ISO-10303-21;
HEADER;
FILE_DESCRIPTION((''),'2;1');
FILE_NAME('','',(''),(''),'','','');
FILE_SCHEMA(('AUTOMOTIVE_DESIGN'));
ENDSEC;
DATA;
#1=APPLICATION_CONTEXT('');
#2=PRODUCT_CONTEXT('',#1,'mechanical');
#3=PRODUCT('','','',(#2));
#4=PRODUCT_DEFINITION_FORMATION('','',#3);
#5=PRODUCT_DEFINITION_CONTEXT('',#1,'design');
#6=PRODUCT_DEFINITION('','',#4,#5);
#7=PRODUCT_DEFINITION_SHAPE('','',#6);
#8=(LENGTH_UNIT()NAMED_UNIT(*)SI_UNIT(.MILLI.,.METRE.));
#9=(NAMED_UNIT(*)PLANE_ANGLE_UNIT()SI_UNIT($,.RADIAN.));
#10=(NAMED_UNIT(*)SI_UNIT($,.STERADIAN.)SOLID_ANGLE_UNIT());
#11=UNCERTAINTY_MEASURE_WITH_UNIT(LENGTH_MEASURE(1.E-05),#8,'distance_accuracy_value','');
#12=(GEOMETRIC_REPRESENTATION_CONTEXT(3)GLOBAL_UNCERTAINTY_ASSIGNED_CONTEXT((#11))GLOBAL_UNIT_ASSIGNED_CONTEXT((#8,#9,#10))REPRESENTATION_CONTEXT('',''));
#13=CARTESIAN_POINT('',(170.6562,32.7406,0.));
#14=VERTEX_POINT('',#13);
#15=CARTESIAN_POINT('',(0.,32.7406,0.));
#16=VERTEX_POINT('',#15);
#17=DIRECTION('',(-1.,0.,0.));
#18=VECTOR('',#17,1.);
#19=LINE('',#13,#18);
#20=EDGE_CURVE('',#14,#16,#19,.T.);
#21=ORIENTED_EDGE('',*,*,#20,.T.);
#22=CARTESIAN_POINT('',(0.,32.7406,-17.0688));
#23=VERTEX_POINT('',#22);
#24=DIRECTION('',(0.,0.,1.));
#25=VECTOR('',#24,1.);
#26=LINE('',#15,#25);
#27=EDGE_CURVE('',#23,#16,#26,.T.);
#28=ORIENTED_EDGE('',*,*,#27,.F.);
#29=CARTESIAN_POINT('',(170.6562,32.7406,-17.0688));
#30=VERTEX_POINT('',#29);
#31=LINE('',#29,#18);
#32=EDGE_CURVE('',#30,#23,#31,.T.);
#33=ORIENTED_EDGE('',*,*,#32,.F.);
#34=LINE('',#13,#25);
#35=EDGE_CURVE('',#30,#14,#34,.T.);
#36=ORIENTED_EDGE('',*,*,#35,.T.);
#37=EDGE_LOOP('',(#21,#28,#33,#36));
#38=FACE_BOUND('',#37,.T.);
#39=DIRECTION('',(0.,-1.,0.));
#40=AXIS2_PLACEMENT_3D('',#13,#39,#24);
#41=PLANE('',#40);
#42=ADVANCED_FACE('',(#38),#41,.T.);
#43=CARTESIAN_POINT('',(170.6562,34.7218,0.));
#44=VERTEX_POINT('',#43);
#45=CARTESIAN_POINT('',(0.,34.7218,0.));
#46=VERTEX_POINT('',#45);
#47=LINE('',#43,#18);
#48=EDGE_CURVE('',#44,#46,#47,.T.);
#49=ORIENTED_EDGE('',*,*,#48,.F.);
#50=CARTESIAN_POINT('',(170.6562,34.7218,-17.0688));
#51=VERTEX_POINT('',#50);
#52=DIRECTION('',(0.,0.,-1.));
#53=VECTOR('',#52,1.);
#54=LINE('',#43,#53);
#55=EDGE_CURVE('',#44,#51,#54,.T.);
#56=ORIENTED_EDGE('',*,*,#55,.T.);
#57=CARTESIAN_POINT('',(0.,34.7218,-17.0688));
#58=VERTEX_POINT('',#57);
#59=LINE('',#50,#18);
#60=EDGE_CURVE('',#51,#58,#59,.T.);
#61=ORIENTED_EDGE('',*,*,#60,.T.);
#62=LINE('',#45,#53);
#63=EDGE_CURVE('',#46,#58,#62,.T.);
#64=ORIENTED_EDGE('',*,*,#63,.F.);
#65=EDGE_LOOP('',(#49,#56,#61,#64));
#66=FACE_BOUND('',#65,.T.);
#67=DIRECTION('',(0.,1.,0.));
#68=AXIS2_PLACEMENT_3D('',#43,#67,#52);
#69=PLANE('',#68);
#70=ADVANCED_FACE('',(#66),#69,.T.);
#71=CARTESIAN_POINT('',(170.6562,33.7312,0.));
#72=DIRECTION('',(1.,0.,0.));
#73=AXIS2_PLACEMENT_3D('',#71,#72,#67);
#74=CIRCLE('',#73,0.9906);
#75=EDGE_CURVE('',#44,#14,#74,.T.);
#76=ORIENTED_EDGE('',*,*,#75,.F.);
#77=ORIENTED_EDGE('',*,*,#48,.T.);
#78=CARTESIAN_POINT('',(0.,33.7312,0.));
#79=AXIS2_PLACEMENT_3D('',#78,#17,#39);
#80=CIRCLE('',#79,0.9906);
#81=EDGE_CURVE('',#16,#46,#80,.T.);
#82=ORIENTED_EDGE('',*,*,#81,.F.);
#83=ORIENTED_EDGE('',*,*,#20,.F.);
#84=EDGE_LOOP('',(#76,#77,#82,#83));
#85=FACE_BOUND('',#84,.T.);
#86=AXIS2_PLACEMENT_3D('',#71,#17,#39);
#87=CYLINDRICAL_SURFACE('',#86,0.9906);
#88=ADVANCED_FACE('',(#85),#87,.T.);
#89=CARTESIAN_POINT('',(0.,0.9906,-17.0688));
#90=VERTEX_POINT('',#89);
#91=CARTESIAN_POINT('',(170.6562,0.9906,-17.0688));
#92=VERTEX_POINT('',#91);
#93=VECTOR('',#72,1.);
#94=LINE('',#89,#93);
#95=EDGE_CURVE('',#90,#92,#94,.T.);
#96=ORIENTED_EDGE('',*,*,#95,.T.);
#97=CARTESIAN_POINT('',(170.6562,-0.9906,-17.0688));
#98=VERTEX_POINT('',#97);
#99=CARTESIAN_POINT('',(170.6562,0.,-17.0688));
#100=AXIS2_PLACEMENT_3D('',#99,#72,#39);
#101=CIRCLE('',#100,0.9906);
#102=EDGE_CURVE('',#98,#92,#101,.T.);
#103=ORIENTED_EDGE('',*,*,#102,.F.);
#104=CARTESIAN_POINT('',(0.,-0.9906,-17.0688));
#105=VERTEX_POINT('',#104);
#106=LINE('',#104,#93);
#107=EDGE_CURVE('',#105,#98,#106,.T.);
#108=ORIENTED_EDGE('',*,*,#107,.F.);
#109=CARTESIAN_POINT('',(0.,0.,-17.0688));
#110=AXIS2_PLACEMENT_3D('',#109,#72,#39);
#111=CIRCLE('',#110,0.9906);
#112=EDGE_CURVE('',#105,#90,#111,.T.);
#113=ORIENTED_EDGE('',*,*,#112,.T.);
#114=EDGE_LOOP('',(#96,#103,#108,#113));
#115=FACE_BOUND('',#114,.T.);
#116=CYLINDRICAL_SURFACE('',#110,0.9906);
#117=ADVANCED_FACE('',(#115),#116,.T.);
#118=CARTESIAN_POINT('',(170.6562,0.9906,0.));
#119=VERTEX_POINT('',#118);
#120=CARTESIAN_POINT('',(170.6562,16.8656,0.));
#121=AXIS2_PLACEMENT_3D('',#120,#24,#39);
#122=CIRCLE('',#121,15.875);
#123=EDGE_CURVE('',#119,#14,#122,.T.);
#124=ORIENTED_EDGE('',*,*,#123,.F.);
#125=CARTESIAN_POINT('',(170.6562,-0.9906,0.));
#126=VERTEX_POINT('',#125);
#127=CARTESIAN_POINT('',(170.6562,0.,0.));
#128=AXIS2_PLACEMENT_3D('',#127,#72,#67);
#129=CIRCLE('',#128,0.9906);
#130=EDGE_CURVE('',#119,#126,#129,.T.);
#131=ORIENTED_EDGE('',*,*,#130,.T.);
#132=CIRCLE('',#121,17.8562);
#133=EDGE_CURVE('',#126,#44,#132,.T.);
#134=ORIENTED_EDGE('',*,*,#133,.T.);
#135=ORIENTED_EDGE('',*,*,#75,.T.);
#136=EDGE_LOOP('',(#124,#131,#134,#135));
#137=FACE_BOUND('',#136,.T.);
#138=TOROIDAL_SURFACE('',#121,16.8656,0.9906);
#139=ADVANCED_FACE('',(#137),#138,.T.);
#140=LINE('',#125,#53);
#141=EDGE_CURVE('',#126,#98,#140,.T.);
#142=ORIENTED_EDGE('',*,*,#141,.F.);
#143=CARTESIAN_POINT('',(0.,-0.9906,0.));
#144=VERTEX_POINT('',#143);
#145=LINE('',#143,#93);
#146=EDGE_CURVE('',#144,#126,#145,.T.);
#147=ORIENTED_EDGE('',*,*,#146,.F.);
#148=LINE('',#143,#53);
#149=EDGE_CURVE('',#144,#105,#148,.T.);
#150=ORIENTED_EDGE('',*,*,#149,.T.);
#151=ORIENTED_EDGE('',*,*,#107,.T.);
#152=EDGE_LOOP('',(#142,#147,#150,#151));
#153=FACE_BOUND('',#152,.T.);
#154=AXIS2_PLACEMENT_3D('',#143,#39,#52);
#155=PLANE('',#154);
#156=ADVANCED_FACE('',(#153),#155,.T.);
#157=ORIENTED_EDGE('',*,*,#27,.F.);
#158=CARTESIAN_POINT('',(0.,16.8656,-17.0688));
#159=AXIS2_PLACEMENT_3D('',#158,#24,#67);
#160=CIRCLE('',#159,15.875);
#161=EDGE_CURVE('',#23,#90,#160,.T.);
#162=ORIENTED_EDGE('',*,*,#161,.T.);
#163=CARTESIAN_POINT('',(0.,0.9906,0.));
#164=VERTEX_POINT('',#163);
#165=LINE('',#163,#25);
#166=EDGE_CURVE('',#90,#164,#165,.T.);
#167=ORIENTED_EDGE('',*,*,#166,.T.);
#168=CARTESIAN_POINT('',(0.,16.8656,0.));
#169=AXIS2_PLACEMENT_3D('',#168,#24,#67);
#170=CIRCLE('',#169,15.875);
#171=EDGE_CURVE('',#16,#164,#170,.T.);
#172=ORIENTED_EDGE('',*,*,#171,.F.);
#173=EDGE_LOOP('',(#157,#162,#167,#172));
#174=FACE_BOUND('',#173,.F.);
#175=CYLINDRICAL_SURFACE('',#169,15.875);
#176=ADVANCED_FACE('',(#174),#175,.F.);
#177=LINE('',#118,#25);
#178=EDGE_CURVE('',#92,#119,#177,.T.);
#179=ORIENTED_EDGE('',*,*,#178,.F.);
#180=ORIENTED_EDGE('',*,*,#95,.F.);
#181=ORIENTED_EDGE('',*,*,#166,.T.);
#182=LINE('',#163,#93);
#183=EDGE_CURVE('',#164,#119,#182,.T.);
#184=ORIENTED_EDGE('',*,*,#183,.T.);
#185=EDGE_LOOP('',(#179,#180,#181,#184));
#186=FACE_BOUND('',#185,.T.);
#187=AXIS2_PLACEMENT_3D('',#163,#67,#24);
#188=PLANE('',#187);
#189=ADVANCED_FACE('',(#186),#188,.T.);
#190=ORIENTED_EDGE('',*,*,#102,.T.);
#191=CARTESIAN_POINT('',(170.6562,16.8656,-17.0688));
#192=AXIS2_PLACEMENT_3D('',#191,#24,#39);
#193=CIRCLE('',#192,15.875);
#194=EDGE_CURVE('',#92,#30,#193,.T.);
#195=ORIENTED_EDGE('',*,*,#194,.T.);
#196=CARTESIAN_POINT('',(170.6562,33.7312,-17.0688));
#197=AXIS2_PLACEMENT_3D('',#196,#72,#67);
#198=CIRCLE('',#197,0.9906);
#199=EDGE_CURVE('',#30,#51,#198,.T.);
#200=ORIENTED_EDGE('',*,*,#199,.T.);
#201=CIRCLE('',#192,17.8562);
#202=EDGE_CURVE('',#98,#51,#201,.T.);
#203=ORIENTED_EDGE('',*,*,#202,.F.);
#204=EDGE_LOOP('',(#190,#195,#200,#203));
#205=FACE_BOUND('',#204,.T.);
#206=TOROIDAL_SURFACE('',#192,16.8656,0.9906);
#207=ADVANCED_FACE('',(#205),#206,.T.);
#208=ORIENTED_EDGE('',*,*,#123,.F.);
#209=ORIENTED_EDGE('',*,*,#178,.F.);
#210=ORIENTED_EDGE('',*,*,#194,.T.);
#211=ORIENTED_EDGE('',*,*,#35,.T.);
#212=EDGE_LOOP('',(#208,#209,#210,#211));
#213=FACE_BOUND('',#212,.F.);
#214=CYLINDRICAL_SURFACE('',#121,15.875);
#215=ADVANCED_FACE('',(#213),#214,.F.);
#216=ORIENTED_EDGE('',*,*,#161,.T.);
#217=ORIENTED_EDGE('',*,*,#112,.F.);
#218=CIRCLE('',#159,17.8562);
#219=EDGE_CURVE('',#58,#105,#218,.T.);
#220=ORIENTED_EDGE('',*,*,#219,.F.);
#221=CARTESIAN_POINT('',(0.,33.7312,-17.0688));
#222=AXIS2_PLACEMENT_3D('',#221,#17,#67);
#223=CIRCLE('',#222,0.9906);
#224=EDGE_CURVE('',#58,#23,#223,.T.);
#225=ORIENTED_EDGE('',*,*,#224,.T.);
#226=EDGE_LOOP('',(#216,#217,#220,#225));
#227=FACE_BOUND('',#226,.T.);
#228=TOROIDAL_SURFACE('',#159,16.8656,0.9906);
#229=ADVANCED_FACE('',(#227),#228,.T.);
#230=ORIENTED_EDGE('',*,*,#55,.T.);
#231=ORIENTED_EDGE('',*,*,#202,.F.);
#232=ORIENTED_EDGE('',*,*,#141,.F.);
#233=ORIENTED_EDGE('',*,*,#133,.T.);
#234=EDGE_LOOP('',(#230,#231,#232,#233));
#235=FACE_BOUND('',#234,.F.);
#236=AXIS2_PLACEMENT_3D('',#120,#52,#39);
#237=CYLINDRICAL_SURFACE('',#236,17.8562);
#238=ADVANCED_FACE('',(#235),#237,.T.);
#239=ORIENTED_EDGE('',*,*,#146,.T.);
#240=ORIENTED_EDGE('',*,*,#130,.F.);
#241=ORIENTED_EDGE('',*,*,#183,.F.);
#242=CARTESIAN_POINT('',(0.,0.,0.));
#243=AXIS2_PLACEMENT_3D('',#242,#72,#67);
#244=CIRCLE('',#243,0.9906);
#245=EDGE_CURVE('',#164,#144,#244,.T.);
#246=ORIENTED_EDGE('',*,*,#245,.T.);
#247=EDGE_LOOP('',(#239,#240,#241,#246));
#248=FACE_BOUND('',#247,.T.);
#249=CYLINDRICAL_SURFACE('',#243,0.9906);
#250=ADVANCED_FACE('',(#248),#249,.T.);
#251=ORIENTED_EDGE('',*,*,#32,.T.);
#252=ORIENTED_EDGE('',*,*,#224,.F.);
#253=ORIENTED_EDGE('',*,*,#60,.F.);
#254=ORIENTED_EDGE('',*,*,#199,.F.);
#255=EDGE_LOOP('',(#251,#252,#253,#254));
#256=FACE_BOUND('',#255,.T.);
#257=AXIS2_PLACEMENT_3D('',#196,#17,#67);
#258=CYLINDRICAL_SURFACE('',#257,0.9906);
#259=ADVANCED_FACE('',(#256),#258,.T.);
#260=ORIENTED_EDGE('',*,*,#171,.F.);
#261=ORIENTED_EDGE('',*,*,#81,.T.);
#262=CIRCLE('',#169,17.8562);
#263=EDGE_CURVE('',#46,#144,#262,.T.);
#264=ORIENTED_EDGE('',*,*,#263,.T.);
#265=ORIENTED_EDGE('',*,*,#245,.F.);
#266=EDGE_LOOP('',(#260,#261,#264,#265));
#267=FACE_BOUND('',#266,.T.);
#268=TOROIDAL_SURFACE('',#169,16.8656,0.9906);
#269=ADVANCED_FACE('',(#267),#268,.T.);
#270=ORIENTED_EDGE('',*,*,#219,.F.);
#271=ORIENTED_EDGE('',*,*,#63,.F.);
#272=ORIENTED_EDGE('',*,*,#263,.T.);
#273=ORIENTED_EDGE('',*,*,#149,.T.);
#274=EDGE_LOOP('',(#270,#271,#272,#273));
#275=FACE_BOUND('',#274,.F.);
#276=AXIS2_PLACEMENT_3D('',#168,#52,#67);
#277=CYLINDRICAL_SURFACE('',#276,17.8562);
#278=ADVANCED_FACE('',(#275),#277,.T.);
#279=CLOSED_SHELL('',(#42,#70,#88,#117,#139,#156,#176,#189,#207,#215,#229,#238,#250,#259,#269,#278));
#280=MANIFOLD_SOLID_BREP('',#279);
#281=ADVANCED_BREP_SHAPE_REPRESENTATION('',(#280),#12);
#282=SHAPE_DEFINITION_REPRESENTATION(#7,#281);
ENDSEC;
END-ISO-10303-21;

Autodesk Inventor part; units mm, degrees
ref_plane "YZ Plane" through (0, 0, 0) normal (1, 0, 0) x (0, 1, 0)
ref_plane "XZ Plane" through (0, 0, 0) normal (0, 1, 0) x (-1, 0, 0)
ref_plane "XY Plane" through (0, 0, 0) normal (0, 0, 1) x (1, 0, 0)
sketch "Sketch1" plane through (0, 0, 0) normal (0, 0, 1) x (1, 0, 0)
  line L0 (0, 0) -> (170.6562, 0)
  line L1 (170.6562, 33.7312) -> (0, 33.7312)
  arc A0 (0, 33.7312) -> (0, 0) centre (0, 16.8656) ccw
  arc A1 (170.6562, 0) -> (170.6562, 33.7312) centre (170.6562, 16.8656) ccw
  dimension "d2" = 16.8656
  dimension "d3" = 170.6562
sketch "Sketch2" plane through (0, 0, 0) normal (1, 0, 0) x (0, 1, 0)
  arc A0 (0.9906, 0) -> (-0.9906, 0) centre (0, 0) ccw
  line L0 (-0.9906, 0) -> (0.9906, 0) construction
  line L1 (-0.9906, 0) -> (-0.9906, -17.0688)
  line L2 (0.9906, 0) -> (0.9906, -17.0688)
  arc A1 (-0.9906, -17.0688) -> (0.9906, -17.0688) centre (0, -17.0688) ccw
  dimension "d8" = 1.9812
  dimension "d9" = 19.05
sweep "Sweep1" add profiles "Sketch2" path "Sketch1"
properties part number "Polycord" material "Rubber, Silicone"
